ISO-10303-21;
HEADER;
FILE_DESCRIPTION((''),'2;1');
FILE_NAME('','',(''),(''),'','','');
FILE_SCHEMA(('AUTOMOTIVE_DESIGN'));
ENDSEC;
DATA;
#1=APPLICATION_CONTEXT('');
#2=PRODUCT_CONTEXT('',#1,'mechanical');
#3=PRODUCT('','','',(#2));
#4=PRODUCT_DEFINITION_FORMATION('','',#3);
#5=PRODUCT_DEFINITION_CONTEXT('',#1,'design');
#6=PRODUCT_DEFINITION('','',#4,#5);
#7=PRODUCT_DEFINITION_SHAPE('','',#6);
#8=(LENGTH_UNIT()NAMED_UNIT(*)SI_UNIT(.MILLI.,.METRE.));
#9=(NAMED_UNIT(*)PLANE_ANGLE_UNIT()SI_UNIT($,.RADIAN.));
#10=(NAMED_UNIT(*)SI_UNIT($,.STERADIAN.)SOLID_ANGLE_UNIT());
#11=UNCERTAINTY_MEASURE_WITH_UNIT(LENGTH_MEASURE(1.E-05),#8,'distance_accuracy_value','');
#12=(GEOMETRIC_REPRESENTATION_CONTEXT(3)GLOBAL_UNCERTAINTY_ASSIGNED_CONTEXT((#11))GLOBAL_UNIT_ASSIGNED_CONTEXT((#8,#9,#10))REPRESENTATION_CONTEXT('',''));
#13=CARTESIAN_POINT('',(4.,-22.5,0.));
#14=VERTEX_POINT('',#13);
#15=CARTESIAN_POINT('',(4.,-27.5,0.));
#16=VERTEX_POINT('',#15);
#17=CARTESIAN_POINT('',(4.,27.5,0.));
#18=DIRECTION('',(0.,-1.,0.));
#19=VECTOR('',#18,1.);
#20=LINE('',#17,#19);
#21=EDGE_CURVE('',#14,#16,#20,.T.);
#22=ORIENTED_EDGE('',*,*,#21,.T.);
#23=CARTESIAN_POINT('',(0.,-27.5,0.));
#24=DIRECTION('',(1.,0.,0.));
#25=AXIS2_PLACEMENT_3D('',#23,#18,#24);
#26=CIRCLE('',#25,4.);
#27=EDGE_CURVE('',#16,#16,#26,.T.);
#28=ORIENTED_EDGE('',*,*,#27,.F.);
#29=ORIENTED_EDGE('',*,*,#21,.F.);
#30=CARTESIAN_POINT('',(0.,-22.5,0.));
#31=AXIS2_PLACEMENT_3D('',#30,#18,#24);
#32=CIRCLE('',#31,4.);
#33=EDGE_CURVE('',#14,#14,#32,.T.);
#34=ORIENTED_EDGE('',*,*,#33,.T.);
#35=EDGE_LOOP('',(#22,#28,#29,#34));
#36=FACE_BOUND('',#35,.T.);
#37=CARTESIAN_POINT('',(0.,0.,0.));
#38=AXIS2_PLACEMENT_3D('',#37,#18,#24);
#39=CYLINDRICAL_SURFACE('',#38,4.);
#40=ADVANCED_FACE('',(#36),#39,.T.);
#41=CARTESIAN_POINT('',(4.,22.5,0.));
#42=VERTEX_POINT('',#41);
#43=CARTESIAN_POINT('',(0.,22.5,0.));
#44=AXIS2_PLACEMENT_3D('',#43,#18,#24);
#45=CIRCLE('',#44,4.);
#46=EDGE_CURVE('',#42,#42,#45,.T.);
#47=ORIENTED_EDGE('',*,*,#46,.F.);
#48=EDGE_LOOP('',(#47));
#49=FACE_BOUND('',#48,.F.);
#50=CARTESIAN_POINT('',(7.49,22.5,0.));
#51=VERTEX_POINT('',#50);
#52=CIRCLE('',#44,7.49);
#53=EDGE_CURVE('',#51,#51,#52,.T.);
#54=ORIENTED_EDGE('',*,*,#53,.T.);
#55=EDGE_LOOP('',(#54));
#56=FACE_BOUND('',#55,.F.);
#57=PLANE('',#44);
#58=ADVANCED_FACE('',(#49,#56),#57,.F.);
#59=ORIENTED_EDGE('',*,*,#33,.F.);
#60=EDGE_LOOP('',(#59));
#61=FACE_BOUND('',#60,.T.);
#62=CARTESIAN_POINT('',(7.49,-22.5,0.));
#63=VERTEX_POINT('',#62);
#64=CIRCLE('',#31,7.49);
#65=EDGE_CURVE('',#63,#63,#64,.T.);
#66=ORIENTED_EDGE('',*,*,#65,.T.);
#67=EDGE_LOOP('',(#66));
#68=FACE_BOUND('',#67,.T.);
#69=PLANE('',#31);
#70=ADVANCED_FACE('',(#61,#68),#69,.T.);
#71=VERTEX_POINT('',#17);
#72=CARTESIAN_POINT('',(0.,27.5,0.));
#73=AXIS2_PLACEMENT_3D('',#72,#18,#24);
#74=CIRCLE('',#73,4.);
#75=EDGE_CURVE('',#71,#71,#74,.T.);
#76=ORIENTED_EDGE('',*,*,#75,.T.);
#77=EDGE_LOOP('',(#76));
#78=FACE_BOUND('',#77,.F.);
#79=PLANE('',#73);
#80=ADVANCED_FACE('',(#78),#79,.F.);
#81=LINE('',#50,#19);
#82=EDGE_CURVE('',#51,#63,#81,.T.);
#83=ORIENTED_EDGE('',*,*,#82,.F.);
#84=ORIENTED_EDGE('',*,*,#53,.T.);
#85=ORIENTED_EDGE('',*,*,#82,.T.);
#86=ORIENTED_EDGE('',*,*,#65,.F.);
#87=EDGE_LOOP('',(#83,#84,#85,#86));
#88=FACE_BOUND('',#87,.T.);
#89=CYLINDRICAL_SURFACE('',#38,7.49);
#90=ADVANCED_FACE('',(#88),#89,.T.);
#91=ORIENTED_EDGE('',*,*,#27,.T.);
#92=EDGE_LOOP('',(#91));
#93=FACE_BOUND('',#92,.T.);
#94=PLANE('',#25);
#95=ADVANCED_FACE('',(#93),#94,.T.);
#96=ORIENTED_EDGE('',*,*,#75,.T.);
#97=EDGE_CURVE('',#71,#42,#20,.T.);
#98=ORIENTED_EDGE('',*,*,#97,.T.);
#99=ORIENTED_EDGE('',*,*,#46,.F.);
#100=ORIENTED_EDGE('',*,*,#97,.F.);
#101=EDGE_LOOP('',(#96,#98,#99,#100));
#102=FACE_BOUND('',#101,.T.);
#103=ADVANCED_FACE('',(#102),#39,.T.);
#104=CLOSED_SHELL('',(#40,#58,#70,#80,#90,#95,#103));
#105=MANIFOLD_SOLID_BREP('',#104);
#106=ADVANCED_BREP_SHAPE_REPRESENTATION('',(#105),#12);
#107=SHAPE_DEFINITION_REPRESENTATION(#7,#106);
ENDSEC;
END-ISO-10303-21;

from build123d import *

# Parameters (mm, degrees)
F0_R     = 7.49
F1_DEPTH = 22.5
F2_R     = 4
F3_DEPTH = 27.5


with BuildPart() as f1:
    # F0 (on Front) → F1 (new body, symmetric)
    with BuildSketch(Plane.XZ):
        Circle(F0_R)
    extrude(amount=F1_DEPTH, both=True)

    # F2 (on Front) → F3 (join, symmetric)
    with BuildSketch(Plane.XZ):
        Circle(F2_R)
    extrude(amount=F3_DEPTH, both=True)


solid = f1.part
